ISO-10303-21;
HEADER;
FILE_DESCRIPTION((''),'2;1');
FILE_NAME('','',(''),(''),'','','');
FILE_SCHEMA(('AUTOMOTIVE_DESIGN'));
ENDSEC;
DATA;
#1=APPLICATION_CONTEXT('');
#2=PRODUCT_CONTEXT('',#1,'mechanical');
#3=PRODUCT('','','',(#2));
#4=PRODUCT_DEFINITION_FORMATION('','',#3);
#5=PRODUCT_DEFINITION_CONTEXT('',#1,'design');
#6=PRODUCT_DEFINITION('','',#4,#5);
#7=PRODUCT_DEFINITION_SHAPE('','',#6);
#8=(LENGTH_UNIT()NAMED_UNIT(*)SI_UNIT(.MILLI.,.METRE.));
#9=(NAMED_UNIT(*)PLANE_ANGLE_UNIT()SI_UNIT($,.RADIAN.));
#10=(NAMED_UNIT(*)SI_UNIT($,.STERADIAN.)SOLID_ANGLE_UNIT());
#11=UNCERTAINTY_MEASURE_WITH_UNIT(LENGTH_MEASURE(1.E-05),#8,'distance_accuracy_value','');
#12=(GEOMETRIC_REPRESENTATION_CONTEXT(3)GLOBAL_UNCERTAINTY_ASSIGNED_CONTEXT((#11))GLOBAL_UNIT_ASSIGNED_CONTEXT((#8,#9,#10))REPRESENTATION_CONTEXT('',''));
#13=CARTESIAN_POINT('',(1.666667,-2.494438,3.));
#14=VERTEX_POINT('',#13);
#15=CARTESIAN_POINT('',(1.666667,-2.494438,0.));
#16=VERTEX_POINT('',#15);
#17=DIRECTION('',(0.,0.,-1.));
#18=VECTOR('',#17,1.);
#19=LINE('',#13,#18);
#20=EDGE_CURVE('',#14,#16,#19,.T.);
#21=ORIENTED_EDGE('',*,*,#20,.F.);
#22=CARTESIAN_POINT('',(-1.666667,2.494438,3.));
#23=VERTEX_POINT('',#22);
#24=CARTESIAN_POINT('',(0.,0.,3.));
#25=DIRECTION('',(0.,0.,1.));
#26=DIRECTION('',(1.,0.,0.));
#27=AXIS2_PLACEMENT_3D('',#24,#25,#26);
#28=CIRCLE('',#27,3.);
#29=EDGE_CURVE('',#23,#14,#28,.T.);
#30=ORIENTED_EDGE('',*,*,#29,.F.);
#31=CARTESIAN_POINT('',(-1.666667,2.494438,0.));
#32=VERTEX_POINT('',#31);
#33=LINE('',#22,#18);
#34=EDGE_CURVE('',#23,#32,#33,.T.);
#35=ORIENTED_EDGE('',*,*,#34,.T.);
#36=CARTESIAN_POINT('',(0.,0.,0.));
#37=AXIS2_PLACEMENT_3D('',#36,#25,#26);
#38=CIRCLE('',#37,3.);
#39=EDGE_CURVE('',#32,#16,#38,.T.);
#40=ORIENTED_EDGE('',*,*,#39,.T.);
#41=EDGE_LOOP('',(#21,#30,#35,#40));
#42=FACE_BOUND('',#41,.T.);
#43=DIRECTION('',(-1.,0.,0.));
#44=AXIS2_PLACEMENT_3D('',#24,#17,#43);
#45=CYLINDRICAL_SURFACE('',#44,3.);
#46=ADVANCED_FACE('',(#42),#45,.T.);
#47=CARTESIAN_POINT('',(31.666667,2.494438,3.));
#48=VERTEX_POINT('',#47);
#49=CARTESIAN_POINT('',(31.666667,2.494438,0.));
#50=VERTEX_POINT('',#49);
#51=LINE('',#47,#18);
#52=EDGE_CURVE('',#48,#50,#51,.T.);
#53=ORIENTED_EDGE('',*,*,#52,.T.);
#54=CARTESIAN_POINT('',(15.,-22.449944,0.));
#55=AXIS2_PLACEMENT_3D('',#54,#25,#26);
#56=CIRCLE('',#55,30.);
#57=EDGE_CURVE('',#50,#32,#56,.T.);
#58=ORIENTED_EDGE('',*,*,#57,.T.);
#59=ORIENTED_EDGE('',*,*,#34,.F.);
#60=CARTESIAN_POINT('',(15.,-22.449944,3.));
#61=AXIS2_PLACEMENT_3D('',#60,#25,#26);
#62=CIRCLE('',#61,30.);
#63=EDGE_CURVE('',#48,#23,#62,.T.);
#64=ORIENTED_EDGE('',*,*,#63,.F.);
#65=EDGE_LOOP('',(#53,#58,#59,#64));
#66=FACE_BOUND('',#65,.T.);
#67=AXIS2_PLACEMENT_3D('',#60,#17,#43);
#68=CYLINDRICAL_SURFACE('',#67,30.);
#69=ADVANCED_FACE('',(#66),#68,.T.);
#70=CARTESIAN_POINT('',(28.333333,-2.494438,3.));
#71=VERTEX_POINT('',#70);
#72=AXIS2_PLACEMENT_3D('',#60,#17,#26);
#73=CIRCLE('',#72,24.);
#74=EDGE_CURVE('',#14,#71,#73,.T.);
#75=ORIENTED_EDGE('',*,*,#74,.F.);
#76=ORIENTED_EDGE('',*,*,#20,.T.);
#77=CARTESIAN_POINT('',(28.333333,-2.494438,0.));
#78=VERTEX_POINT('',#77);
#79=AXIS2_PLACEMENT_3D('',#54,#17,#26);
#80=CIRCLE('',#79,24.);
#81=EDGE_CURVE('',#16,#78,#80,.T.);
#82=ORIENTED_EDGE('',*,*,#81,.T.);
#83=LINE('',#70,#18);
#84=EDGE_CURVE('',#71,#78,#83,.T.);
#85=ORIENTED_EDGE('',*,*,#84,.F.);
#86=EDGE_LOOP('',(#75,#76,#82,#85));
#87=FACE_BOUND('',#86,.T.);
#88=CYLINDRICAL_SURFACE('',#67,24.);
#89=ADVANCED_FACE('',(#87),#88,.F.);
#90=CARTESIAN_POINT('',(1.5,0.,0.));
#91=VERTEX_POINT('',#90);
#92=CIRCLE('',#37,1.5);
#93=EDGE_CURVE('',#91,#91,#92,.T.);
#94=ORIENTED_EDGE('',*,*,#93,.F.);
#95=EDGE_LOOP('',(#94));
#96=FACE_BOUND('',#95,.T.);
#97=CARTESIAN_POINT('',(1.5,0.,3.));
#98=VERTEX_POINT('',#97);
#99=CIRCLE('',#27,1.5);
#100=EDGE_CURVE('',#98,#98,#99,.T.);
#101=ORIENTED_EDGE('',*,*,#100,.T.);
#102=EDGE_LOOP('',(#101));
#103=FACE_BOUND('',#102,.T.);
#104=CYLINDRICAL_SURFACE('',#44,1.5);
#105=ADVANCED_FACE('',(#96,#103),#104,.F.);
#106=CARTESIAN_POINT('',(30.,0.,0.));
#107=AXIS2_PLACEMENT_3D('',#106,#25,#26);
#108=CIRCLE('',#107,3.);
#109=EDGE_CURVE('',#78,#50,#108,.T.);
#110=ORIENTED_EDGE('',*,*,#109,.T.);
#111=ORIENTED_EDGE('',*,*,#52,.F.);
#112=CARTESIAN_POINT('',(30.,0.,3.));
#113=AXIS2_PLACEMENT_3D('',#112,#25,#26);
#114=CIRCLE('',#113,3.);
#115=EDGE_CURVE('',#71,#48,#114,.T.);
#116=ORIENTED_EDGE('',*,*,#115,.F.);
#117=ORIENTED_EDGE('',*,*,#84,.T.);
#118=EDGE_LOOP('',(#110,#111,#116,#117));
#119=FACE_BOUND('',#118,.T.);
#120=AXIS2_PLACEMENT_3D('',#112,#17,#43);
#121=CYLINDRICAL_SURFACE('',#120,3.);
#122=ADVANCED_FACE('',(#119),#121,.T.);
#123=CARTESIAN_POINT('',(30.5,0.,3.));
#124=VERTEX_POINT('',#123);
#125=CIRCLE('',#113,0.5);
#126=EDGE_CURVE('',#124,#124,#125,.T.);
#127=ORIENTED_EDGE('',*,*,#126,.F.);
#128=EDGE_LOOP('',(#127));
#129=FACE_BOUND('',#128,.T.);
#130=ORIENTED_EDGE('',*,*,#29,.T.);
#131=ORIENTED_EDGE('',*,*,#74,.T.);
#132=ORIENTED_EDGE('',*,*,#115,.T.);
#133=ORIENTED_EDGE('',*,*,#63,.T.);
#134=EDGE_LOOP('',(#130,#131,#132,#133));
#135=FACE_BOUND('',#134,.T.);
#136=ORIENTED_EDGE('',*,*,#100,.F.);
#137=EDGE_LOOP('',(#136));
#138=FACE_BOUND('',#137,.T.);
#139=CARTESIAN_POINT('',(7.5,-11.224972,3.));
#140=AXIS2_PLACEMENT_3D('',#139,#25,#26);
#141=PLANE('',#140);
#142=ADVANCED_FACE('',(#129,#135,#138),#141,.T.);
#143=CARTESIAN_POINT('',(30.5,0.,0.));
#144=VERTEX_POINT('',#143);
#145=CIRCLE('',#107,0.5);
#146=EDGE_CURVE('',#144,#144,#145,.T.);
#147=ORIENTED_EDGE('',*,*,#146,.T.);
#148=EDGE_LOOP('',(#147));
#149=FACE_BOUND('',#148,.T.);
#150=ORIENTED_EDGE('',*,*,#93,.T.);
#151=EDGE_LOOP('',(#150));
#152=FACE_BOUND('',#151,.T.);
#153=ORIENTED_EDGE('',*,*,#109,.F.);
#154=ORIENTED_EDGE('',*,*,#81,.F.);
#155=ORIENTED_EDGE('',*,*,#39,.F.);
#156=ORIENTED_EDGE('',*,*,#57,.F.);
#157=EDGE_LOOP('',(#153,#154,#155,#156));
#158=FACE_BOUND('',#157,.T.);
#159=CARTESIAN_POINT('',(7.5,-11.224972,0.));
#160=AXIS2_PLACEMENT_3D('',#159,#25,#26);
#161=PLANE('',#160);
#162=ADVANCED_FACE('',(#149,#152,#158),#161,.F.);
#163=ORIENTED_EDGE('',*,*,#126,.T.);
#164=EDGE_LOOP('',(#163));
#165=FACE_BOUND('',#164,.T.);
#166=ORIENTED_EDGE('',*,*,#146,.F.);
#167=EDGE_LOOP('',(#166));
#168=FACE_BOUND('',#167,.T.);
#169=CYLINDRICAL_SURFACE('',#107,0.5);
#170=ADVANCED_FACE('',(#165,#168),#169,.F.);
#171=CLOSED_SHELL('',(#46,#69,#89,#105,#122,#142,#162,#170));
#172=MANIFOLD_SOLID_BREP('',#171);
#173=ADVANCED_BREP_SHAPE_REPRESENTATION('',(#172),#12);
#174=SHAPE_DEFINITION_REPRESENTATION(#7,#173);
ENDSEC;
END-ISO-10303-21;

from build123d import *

# Parameters (mm, degrees)
SKETCH_1_R      = 1.5
EXTRUDE_1_DEPTH = 3
SKETCH_2_R      = 1.5
SKETCH_2_R_2    = 0.5
EXTRUDE_2_DEPTH = 3


with BuildPart() as part:
    # 草图1 → 凸台-拉伸1 (new body)
    with BuildSketch(Plane.XY):
        with BuildLine():
            ThreePointArc((31.666666667, 2.494438258), (15, 7.550055679), (-1.666666667, 2.494438258))
            ThreePointArc((-1.666666667, 2.494438258), (-2.494438258, -1.666666667), (1.666666667, -2.494438258))
            ThreePointArc((1.666666667, -2.494438258), (15, 1.550055679), (28.333333333, -2.494438258))
            ThreePointArc((28.333333333, -2.494438258), (32.494438258, -1.666666667), (31.666666667, 2.494438258))
        make_face()
        Circle(SKETCH_1_R, mode=Mode.SUBTRACT)
        with Locations((30, 0)):
            Circle(SKETCH_1_R, mode=Mode.SUBTRACT)
    extrude(amount=EXTRUDE_1_DEPTH)

    # 草图2 → 凸台-拉伸2 (add, through all)
    with BuildSketch(Plane.XY.offset(3)):
        with Locations((30, 0)):
            Circle(SKETCH_2_R)
        with Locations((30, 0)):
            Circle(SKETCH_2_R_2, mode=Mode.SUBTRACT)
    extrude(amount=-EXTRUDE_2_DEPTH)


solid = part.part
